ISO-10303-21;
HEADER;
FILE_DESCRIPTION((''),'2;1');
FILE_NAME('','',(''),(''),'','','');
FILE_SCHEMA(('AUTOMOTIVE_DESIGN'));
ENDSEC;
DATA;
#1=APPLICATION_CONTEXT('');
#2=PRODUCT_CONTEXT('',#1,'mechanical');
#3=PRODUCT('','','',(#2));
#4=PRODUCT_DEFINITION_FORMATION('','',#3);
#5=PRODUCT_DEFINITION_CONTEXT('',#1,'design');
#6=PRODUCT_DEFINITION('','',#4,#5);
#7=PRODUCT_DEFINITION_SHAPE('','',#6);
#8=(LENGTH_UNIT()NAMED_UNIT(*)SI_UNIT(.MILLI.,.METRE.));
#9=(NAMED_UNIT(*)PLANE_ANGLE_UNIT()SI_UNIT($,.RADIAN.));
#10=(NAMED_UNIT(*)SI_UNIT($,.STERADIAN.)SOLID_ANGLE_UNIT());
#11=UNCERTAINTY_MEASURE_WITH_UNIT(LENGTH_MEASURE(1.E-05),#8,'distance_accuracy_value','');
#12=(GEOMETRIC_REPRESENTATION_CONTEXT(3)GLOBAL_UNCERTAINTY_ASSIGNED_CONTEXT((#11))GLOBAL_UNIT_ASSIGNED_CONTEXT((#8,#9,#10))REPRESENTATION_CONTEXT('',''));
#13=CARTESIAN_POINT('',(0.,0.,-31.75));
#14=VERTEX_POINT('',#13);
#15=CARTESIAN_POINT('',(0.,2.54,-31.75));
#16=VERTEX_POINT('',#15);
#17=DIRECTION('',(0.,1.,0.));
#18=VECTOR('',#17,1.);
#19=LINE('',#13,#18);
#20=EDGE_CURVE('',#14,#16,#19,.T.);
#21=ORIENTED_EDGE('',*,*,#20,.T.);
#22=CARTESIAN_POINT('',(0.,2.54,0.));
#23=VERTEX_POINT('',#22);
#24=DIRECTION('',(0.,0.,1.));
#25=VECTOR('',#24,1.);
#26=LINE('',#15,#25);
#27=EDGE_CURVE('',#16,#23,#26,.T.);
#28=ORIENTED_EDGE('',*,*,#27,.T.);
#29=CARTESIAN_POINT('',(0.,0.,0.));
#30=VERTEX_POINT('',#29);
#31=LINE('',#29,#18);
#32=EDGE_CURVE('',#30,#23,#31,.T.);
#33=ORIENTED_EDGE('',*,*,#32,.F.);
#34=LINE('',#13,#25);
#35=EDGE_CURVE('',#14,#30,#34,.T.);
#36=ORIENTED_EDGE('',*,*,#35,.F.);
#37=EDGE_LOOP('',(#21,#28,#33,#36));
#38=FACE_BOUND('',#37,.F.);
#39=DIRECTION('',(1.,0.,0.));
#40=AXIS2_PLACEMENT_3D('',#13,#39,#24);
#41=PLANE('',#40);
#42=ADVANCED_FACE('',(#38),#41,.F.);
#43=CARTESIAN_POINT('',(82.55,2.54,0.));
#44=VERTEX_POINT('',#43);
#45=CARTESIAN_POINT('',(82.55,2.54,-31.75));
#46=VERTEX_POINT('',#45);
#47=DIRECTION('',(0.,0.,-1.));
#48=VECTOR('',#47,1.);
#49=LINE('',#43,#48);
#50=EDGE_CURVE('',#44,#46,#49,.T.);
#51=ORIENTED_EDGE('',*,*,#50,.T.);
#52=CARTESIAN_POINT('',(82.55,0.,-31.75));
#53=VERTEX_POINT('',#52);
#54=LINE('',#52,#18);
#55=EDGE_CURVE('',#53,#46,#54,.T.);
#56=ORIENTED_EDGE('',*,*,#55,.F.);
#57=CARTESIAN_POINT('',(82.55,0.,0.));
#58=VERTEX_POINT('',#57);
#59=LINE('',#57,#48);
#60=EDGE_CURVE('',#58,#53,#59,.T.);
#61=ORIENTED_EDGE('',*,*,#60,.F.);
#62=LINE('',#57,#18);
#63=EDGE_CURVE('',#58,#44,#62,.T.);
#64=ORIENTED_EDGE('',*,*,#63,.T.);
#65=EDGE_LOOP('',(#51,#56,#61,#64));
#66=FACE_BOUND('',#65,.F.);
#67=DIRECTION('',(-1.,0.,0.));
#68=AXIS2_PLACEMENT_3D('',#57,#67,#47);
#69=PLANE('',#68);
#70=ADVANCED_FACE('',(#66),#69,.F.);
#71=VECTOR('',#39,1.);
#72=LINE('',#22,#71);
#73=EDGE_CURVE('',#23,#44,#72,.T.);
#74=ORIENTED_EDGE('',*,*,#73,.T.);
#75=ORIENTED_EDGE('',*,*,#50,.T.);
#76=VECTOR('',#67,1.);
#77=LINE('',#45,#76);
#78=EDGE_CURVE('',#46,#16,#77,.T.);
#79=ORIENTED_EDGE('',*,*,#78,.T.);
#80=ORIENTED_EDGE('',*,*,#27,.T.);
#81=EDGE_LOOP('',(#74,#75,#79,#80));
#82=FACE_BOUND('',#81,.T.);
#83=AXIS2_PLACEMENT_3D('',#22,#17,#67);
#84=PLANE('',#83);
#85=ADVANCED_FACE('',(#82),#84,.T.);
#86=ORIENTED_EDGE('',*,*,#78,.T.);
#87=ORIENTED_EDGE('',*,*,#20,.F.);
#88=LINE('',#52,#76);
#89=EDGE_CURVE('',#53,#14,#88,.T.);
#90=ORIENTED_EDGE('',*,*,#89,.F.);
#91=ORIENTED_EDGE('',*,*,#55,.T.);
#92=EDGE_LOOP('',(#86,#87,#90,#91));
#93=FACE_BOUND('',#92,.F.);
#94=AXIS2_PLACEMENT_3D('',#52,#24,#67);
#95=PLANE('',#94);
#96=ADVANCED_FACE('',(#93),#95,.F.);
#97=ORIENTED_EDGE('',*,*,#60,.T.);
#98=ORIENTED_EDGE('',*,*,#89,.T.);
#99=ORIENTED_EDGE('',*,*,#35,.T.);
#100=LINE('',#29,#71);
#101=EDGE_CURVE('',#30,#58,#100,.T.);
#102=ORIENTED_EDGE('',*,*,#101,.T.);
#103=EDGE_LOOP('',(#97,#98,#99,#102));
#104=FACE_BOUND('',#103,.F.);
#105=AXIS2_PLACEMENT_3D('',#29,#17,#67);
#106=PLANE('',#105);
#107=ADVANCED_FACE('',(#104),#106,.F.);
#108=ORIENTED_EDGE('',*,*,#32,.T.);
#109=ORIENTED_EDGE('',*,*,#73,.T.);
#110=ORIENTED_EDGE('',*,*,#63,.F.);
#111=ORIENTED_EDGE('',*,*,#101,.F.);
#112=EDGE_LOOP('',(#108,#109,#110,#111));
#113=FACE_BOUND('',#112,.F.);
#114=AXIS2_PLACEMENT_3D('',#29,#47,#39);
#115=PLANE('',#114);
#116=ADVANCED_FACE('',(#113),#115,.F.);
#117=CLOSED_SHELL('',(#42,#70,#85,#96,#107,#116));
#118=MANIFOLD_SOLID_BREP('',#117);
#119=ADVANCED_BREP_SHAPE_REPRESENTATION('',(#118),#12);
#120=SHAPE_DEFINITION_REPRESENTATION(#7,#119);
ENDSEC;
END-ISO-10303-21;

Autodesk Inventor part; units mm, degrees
ref_plane "YZ Plane" through (0, 0, 0) normal (1, 0, 0) x (0, 1, 0)
ref_plane "XZ Plane" through (0, 0, 0) normal (0, 1, 0) x (-1, 0, 0)
ref_plane "XY Plane" through (0, 0, 0) normal (0, 0, 1) x (1, 0, 0)
sketch "Sketch1" plane through (0, 0, 0) normal (0, 1, 0) x (-1, 0, 0)
  line L0 (0, 0) -> (-82.55, 0)
  line L1 (-82.55, 0) -> (-82.55, -31.75)
  line L2 (-82.55, -31.75) -> (0, -31.75)
  line L3 (0, -31.75) -> (0, 0)
  dimension "d0" = 82.55
  dimension "d1" = 31.75
extrude "Extrusion1" add sketch "Sketch1" along normal blind 2.54
sketch "Sketch2" plane through (0, 2.54, 0) normal (0, 1, 0) x (1, 0, 0)
  line L0 (6.5819, 26.9827) -> (79.3127, 26.9827) construction
  line L1 (79.3127, 26.9827) -> (79.3127, 2.7483) construction
  line L2 (79.3127, 2.7483) -> (6.5819, 2.7483) construction
  line L3 (6.5819, 2.7483) -> (6.5819, 26.9827) construction
  point P0 (0, 0)
properties part number "GyroSensor"
